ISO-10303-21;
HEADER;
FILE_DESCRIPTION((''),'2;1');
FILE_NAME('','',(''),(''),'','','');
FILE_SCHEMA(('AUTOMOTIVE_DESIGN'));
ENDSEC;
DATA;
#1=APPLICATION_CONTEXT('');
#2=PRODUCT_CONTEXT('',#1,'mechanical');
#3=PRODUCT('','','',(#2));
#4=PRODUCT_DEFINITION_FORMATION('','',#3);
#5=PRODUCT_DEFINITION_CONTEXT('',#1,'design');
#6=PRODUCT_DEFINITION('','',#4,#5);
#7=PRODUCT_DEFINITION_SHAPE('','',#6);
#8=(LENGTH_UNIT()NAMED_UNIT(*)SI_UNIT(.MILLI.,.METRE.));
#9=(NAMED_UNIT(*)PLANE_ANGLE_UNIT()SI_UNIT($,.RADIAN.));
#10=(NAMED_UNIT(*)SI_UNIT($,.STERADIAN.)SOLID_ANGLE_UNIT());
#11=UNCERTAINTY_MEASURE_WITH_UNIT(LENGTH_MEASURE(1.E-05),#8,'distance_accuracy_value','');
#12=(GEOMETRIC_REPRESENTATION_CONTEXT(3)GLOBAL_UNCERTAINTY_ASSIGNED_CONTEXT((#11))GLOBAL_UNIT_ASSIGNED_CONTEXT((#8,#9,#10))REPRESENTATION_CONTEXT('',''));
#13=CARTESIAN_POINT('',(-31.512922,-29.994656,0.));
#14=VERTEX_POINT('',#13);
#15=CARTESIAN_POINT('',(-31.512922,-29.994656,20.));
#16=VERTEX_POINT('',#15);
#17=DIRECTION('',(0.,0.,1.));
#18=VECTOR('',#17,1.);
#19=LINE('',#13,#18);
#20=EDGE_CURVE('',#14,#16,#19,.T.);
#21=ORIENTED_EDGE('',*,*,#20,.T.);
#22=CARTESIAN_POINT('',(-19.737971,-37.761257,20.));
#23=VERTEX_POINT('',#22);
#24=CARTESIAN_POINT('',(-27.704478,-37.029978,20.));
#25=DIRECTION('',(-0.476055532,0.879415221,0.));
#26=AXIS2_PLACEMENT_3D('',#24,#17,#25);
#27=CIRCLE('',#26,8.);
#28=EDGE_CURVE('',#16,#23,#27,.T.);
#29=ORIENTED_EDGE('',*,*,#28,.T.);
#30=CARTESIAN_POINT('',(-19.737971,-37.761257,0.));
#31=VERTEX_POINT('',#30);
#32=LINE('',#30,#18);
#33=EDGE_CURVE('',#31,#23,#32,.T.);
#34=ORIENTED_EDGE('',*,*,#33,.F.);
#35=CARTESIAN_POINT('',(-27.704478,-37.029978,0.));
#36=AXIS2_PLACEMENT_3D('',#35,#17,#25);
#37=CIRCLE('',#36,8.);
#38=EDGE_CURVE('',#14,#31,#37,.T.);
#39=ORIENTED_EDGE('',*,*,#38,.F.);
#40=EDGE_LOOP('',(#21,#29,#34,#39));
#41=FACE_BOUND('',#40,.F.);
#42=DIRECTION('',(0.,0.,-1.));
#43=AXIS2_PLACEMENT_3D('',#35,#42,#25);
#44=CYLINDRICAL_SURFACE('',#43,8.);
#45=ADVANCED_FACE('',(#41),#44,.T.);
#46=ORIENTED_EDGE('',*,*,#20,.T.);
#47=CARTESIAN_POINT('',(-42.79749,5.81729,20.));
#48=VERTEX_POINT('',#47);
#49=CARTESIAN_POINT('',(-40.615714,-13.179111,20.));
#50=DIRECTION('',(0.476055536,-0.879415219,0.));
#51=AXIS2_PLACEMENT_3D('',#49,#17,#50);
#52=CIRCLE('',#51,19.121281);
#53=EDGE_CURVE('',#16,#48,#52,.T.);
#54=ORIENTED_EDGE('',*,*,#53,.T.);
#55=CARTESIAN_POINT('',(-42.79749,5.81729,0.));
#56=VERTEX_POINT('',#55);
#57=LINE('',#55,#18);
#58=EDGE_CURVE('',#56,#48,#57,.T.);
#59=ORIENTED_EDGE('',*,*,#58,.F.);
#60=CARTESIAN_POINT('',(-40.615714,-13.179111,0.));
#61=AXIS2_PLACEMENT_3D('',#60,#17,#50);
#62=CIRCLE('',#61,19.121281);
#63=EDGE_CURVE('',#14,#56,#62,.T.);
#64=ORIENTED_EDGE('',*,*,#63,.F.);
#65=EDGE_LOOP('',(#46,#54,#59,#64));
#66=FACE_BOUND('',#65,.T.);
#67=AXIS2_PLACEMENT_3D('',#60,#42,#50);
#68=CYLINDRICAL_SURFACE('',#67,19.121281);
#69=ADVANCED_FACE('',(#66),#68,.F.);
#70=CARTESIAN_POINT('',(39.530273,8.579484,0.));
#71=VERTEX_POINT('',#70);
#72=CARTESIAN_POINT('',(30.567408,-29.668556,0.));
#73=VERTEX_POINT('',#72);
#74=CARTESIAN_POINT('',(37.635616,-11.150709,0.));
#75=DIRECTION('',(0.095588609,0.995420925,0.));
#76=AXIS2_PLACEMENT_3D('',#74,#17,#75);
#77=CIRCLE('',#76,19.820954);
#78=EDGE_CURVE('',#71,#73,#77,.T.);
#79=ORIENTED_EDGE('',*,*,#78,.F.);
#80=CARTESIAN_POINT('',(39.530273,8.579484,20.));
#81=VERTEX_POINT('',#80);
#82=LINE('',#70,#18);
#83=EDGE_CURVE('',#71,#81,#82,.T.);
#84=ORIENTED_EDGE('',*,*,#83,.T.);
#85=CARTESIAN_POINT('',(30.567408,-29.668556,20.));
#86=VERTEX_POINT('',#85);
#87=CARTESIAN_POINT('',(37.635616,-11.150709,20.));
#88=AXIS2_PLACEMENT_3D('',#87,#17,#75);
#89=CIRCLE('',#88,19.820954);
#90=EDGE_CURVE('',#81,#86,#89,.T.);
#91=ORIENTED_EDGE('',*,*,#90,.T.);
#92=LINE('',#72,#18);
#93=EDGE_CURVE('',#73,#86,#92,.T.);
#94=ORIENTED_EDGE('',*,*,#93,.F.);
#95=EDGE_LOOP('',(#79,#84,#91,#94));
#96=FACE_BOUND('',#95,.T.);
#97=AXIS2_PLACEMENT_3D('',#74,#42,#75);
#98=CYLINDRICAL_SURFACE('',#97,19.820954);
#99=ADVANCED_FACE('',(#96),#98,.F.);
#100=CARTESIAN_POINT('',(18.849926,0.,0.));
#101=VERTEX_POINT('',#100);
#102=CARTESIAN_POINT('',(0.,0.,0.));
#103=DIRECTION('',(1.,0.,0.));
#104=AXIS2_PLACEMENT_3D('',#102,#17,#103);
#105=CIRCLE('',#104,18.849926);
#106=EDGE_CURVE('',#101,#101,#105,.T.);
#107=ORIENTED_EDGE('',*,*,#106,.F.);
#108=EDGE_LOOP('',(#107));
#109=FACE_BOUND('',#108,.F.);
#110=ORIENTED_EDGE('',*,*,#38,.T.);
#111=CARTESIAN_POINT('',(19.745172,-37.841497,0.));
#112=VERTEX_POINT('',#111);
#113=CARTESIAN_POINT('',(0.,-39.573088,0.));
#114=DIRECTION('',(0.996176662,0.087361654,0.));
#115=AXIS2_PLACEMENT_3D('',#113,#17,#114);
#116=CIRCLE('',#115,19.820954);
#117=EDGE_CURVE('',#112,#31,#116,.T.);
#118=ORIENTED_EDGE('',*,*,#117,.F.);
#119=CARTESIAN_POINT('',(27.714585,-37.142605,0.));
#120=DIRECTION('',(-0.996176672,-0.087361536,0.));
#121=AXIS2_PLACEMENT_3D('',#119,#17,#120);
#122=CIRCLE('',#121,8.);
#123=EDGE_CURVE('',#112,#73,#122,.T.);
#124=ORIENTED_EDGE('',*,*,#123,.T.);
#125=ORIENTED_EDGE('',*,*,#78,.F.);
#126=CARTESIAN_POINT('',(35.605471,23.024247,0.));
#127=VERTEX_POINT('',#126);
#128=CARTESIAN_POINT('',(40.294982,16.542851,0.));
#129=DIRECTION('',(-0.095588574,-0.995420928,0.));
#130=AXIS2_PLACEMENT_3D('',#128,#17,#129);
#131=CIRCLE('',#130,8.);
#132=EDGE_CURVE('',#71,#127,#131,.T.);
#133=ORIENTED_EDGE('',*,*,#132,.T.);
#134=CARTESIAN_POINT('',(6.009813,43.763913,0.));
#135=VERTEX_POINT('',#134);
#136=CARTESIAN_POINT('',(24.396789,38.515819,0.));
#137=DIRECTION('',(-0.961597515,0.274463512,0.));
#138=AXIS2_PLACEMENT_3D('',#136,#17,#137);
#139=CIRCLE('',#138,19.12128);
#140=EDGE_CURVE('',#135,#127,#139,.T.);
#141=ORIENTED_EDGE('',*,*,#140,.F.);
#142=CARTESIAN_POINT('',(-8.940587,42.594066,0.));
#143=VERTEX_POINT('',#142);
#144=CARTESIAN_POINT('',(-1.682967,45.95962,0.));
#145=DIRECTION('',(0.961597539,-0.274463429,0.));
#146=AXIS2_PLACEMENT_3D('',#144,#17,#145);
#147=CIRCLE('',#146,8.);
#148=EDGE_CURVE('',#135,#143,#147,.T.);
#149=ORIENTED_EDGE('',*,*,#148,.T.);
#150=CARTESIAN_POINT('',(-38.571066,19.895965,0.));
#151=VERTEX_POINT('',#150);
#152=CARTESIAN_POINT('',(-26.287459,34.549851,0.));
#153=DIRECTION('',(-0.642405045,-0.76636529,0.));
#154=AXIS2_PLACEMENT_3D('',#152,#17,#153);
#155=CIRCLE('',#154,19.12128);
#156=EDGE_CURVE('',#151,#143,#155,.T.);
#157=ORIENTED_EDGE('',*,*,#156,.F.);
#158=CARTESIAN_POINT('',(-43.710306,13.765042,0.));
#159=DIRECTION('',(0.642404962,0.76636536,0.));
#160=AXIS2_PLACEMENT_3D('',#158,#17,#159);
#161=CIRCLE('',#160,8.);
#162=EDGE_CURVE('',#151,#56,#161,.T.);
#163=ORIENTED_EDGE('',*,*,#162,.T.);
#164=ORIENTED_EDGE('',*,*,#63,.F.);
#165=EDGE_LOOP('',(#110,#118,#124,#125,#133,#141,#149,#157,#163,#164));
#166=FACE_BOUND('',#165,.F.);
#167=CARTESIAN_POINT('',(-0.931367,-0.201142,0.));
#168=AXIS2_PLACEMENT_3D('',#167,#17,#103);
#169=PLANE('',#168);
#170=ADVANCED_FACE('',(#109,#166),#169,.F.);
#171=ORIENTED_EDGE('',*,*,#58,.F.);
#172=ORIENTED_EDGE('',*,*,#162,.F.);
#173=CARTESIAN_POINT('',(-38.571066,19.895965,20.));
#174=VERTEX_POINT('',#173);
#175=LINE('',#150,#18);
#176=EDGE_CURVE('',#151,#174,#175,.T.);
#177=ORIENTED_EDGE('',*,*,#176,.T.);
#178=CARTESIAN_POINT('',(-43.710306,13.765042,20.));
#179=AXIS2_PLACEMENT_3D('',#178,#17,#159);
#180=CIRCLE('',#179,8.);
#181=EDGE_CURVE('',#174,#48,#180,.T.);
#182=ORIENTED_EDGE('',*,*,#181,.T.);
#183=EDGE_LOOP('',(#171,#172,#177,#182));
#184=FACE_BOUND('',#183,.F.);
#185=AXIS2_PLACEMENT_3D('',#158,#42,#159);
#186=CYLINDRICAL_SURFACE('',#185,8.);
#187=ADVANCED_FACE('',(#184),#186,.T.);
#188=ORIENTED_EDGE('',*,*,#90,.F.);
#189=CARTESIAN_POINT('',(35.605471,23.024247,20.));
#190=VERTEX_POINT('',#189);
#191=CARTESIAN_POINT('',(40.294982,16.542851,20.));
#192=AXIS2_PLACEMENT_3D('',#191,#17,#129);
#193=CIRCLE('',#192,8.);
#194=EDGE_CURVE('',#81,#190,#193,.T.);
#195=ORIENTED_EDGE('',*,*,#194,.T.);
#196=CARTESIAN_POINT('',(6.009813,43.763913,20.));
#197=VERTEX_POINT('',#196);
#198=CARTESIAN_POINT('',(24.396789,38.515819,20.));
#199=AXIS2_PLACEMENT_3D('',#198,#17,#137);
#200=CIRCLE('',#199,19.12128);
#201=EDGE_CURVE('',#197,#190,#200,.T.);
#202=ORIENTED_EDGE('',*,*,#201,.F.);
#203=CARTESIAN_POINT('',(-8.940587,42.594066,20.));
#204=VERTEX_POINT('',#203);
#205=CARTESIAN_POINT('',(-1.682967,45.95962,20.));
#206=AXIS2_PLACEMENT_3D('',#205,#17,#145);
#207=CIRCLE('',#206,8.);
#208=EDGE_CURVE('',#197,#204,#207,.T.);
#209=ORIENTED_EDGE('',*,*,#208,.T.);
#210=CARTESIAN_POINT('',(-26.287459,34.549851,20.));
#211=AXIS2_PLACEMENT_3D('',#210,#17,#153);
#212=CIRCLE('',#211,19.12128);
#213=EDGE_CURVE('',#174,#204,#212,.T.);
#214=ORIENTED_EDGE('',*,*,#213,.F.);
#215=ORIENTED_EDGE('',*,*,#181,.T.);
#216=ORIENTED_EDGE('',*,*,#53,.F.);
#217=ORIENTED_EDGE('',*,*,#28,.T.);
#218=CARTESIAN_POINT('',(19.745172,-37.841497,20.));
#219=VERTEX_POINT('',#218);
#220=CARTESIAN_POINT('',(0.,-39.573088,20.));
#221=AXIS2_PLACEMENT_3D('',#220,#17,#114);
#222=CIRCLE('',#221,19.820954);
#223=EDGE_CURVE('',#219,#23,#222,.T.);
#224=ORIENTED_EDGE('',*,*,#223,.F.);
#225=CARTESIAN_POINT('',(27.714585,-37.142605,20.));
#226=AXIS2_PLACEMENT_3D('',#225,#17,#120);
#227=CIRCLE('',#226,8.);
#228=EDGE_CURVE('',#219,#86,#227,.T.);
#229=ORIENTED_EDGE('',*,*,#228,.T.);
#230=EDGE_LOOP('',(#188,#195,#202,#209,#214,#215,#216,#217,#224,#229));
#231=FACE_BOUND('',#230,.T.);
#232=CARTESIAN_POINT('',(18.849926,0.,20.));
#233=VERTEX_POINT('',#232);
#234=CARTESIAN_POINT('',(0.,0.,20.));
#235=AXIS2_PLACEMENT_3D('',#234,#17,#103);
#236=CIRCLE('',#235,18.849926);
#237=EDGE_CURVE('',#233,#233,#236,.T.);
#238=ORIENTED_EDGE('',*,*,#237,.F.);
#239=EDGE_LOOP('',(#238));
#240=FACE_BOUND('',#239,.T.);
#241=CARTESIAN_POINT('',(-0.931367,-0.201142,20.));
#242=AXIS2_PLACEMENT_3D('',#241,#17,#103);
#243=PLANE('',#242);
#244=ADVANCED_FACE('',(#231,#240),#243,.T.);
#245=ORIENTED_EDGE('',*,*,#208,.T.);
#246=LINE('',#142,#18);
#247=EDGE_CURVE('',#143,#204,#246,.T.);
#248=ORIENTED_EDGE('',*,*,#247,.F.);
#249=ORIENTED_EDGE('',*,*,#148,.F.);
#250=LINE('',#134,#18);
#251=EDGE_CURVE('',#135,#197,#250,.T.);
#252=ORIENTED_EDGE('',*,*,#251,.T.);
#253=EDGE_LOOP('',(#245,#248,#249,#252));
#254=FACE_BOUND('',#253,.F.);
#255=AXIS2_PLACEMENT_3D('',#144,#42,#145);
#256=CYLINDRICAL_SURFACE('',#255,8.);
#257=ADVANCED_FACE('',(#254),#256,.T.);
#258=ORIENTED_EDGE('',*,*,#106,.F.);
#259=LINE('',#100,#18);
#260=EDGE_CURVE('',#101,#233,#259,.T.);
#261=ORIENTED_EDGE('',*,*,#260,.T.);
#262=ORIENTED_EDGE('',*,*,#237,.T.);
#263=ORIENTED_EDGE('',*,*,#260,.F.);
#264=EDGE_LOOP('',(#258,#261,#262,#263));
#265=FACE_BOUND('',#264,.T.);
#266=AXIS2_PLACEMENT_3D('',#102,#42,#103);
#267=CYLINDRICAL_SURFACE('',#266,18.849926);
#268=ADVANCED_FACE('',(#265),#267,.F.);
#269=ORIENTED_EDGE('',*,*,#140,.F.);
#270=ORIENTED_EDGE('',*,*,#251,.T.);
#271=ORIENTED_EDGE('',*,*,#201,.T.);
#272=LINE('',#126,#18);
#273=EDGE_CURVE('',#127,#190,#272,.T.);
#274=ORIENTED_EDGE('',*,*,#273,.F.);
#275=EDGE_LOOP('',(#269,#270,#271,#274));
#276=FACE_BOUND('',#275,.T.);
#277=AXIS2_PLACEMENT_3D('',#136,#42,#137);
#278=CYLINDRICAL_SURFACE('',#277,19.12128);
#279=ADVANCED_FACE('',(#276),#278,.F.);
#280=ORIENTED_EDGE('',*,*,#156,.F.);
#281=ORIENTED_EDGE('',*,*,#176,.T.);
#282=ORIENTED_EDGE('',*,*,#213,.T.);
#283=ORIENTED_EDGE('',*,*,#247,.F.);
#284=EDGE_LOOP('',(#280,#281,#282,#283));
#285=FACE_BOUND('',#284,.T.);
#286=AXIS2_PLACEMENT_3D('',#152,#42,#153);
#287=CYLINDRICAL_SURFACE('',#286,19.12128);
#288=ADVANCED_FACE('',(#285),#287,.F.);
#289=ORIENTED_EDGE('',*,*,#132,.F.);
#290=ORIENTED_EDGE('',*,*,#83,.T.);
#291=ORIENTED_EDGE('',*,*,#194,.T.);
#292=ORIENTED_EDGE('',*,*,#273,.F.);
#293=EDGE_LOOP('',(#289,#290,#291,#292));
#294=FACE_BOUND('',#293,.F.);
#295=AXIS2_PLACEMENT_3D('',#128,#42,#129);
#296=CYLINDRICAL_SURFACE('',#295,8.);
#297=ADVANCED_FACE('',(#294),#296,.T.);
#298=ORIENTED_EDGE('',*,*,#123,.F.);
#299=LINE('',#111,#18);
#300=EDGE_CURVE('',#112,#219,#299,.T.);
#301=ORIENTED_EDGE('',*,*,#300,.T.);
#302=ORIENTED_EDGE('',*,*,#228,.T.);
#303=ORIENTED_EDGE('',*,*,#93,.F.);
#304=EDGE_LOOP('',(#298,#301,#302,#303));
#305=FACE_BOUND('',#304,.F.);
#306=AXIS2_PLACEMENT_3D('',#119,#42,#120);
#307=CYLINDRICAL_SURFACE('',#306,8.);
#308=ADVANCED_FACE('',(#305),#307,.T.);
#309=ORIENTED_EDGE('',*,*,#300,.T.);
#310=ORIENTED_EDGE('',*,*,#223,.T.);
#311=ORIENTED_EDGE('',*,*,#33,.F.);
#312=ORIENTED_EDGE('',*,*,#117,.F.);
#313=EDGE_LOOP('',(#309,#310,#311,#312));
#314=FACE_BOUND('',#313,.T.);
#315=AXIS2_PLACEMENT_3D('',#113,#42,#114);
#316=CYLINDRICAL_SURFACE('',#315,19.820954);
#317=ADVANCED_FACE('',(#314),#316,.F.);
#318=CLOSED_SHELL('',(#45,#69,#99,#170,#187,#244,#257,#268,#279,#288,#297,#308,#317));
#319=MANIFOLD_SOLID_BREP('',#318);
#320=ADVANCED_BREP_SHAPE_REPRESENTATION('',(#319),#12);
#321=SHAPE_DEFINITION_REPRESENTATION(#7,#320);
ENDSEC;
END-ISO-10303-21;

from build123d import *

# Parameters (mm, degrees)
SKETCH_R  = 18.849926
PAD_DEPTH = 20


with BuildPart() as part:
    # Sketch → Pad (new body)
    with BuildSketch(Plane.XY):
        with BuildLine():
            ThreePointArc((6.009813, 43.763913), (-2.307048, 53.935241), (-8.940587, 42.594066))
            ThreePointArc((-38.571066, 19.895965), (-14.659471, 19.370481), (-8.940587, 42.594066))
            ThreePointArc((-38.571066, 19.895965), (-51.372493, 16.065234), (-42.79749, 5.81729))
            ThreePointArc((-31.512922, -29.994656), (-22.378417, -7.432425), (-42.79749, 5.81729))
            ThreePointArc((-31.512922, -29.994656), (-32.109292, -43.708122), (-19.737971, -37.761257))
            ThreePointArc((19.745172, -37.841497), (0.040281, -19.752175), (-19.737971, -37.761257))
            ThreePointArc((19.745172, -37.841497), (32.535801, -43.526638), (30.567408, -29.668556))
            ThreePointArc((39.530273, 8.579484), (18.337441, -6.628465), (30.567408, -29.668556))
            ThreePointArc((39.530273, 8.579484), (48.01508, 18.640488), (35.605471, 23.024247))
            ThreePointArc((6.009813, 43.763913), (13.423393, 22.856702), (35.605471, 23.024247))
        make_face()
        Circle(SKETCH_R, mode=Mode.SUBTRACT)
    extrude(amount=PAD_DEPTH)


solid = part.part
